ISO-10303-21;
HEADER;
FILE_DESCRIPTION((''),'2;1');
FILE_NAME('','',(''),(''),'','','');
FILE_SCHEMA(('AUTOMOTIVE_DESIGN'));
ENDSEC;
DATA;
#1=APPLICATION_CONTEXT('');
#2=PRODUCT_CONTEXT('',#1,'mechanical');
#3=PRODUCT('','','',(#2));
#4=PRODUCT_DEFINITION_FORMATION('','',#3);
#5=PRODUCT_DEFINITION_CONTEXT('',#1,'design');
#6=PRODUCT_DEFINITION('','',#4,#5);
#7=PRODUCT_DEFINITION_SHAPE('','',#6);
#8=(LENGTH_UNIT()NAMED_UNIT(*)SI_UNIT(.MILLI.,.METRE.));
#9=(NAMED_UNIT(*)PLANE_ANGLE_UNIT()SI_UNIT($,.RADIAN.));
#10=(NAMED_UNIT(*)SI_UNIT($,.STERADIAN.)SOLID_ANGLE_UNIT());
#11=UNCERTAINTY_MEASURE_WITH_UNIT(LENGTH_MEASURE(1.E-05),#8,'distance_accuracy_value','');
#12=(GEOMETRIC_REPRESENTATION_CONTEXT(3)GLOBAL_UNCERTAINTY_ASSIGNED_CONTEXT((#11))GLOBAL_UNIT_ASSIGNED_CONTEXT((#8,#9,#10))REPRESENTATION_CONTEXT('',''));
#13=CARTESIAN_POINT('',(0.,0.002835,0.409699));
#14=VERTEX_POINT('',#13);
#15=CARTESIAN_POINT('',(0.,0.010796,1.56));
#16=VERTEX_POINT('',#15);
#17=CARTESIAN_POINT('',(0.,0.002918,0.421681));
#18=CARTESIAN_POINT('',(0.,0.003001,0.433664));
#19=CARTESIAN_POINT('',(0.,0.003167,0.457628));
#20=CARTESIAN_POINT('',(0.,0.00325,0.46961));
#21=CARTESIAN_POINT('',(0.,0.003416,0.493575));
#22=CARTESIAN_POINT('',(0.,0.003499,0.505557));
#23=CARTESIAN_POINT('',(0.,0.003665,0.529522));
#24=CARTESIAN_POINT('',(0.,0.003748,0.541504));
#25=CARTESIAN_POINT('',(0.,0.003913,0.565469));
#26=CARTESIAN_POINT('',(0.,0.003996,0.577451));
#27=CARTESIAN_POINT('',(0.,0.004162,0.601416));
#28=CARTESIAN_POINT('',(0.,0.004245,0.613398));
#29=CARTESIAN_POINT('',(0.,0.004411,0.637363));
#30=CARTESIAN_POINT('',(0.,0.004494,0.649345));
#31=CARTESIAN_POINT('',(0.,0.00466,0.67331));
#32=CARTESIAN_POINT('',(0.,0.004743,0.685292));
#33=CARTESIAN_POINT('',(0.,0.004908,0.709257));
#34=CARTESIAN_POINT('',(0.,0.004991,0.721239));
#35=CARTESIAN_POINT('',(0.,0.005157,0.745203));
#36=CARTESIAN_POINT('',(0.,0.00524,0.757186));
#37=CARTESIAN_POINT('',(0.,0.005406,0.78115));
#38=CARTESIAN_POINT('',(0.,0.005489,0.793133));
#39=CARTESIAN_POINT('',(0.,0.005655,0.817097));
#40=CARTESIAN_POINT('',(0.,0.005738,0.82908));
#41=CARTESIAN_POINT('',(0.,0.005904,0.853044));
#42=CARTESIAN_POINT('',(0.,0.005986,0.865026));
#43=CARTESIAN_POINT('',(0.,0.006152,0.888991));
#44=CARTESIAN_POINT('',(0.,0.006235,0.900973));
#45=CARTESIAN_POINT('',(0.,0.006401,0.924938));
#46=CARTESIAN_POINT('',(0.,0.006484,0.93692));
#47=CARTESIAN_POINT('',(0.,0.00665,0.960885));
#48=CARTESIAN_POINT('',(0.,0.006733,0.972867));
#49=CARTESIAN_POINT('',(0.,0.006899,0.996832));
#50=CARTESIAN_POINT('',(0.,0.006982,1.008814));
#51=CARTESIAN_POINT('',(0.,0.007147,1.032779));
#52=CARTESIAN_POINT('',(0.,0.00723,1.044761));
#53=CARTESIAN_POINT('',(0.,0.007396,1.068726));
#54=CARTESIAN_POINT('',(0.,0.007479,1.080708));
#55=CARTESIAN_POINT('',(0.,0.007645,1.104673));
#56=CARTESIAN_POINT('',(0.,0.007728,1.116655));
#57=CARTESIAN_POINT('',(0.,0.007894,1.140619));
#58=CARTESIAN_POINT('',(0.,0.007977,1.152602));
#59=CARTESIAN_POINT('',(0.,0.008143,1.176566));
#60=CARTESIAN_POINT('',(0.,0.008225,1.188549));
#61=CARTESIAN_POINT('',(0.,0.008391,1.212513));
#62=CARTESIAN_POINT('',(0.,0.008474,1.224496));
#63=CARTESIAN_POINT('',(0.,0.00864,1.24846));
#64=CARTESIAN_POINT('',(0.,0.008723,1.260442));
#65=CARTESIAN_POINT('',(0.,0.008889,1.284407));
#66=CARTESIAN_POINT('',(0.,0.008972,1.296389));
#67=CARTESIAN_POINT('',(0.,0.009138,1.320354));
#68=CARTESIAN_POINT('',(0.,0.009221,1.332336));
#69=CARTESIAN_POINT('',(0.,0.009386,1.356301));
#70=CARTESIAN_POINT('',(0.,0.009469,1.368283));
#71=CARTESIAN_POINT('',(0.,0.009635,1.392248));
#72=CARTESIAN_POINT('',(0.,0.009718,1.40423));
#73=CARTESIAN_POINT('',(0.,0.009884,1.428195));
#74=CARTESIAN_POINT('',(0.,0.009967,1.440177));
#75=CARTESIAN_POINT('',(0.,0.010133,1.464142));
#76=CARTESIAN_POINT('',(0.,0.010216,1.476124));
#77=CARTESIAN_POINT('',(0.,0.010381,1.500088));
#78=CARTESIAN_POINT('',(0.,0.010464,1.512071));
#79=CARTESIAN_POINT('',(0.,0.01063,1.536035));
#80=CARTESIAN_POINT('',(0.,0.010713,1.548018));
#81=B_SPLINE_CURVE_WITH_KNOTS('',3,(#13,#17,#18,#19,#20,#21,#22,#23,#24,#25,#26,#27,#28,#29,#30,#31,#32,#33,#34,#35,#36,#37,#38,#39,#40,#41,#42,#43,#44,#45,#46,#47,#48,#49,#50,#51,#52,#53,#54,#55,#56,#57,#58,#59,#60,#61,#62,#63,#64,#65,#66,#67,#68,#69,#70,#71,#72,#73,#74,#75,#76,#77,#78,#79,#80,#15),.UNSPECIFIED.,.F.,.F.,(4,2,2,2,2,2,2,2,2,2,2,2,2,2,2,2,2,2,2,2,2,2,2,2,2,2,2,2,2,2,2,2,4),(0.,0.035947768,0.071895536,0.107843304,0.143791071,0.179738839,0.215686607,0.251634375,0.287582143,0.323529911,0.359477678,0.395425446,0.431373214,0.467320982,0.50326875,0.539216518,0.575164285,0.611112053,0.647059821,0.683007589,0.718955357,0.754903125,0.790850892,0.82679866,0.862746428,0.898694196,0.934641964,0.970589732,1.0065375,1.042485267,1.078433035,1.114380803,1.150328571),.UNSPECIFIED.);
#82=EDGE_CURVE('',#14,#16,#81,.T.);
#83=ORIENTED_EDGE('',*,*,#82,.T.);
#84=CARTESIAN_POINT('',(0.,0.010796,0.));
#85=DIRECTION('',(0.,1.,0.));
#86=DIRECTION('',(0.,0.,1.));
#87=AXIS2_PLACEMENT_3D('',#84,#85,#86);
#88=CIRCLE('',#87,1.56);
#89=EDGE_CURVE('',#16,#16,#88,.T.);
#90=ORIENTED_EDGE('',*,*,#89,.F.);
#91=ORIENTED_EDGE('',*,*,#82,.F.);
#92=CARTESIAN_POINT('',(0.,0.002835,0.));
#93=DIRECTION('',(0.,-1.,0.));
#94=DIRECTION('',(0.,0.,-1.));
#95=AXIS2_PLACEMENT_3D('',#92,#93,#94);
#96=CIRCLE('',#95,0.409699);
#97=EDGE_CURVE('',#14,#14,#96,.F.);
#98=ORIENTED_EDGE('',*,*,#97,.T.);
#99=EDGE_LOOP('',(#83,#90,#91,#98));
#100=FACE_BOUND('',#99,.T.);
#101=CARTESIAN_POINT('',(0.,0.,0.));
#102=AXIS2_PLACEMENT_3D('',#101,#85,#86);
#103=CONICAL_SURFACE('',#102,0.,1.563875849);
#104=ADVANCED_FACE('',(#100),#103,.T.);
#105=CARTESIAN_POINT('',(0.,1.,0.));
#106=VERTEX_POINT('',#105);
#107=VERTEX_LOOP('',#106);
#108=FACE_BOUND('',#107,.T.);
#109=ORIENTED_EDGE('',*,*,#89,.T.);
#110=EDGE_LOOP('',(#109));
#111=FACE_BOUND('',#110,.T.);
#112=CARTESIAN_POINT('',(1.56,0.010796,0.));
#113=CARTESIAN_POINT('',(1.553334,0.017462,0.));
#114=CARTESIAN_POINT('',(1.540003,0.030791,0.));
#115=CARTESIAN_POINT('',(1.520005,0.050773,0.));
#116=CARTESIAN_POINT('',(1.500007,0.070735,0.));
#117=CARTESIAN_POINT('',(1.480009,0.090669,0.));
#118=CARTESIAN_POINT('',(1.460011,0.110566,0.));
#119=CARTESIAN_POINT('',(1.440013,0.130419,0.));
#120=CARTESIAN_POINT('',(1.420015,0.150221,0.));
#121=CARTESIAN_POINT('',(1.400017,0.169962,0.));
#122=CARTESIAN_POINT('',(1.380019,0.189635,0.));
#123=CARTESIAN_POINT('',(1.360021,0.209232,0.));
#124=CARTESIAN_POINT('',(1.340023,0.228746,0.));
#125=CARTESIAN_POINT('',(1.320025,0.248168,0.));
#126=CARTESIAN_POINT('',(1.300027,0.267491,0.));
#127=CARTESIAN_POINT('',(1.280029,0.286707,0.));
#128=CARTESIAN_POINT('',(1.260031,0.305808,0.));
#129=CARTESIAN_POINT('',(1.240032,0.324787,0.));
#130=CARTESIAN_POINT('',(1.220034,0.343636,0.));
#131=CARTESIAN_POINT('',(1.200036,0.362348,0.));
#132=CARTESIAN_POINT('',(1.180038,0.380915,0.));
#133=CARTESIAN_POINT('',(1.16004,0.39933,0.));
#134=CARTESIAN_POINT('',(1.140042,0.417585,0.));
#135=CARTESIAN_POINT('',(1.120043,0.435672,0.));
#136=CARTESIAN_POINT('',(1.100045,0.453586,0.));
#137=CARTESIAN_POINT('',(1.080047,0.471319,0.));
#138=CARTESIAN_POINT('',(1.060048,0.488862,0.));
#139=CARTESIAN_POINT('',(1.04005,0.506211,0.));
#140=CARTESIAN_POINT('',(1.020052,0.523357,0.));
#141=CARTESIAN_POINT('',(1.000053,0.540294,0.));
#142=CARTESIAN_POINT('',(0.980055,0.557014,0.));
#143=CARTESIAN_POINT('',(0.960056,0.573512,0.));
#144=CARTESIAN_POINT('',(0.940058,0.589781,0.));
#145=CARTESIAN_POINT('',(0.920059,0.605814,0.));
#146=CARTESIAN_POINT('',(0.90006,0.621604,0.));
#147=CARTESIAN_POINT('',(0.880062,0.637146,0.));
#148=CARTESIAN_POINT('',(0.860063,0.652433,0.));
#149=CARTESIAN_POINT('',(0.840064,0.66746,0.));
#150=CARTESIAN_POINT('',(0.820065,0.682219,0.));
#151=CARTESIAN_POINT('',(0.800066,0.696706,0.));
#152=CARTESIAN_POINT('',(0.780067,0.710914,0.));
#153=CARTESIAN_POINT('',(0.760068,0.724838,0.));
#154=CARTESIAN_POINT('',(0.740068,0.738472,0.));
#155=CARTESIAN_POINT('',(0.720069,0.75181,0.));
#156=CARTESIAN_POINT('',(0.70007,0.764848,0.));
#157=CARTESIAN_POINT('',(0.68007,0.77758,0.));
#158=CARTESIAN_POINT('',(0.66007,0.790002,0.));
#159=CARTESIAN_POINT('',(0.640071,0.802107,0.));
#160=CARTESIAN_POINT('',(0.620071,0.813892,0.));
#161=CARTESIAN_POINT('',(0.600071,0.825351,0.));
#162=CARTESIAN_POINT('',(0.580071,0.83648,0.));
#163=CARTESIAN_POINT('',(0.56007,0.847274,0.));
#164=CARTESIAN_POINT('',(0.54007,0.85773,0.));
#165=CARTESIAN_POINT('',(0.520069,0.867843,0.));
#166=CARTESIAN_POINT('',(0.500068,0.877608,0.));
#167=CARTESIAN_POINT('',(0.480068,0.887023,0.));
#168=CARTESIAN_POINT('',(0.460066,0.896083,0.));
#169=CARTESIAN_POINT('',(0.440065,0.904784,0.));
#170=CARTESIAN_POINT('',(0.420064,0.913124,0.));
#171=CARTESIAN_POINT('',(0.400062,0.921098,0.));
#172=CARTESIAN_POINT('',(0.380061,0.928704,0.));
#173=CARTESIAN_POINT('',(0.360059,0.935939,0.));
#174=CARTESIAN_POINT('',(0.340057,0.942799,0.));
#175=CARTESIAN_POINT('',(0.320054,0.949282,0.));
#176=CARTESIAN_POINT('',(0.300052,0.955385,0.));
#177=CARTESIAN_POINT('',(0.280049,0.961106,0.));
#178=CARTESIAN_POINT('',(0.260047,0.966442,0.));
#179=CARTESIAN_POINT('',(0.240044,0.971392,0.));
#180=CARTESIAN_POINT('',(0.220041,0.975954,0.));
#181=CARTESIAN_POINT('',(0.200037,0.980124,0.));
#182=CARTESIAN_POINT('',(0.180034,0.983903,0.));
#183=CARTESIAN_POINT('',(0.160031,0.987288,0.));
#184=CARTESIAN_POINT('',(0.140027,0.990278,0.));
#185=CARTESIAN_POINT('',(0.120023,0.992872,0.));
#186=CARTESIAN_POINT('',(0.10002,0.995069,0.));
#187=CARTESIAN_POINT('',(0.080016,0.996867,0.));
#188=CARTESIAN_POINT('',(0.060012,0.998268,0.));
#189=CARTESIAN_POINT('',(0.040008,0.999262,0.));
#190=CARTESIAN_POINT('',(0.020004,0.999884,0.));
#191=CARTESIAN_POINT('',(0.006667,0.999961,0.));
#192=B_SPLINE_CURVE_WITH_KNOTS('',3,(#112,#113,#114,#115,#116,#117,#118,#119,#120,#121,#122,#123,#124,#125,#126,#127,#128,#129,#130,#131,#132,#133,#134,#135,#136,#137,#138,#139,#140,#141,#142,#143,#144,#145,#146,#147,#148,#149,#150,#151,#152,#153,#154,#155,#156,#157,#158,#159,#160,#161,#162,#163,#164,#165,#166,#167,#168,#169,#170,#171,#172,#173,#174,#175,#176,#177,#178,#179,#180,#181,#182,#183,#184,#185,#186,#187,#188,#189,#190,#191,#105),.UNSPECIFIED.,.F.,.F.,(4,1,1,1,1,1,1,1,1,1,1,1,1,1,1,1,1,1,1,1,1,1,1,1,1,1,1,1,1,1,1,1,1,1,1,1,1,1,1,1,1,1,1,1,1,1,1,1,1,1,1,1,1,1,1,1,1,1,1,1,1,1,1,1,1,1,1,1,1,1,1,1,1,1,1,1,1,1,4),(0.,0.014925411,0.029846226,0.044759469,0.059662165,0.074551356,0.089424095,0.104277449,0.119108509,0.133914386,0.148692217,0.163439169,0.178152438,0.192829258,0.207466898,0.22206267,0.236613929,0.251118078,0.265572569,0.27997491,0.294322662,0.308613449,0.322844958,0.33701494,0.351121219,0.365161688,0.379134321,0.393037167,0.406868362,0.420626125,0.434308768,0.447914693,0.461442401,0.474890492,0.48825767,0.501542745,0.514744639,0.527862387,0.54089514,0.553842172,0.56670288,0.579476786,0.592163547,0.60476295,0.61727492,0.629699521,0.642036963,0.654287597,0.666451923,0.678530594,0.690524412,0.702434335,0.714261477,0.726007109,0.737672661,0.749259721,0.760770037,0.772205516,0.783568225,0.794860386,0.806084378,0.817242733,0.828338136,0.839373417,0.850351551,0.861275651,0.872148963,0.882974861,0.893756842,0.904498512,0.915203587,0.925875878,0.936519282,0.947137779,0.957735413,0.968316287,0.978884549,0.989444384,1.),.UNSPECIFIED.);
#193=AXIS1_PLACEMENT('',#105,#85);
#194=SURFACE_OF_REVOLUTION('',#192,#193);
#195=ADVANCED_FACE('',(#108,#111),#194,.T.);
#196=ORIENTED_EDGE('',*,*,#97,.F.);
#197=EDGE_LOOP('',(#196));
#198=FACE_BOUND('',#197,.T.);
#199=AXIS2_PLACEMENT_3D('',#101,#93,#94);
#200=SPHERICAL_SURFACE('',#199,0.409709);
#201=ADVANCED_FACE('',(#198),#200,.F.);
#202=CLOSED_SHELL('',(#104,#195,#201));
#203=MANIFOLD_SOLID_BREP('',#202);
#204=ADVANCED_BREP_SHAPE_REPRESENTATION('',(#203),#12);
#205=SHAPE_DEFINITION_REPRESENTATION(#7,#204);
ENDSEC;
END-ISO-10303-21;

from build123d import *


with BuildPart() as part:
    # 草图1 → 旋转1 (revolve)
    with BuildSketch(Plane.XY, mode=Mode.PRIVATE) as revolve_1_sk:
        with BuildLine():
            Line((0, 1), (0, 0))
            Line((0, 0), (1.56, 0.010796117))
            add(Edge.make_bspline(
                [(0, 1), (0.006667111, 0.999961497), (0.020003998, 0.999884476), (0.04000798, 0.999261626), (0.06001193, 0.998267678), (0.080015833, 0.996866568), (0.100019674, 0.995068646), (0.120023438, 0.992872011), (0.140027112, 0.990278251), (0.160030683, 0.987288225), (0.180034139, 0.983903187), (0.200037469, 0.980124487), (0.220040663, 0.975953649), (0.240043714, 0.971392353), (0.260046613, 0.966442433), (0.280049355, 0.96110588), (0.300051935, 0.955384841), (0.320054348, 0.949281613), (0.340056592, 0.942798652), (0.360058664, 0.935938558), (0.380060565, 0.928704089), (0.400062294, 0.921098145), (0.420063852, 0.91312378), (0.440065242, 0.904784194), (0.460066465, 0.896082731), (0.480067524, 0.887022876), (0.500068423, 0.877608264), (0.520069166, 0.867842667), (0.540069758, 0.857729995), (0.560070203, 0.847274302), (0.580070506, 0.836479773), (0.600070672, 0.82535073), (0.620070707, 0.813891629), (0.640070616, 0.802107056), (0.660070404, 0.790001727), (0.680070078, 0.777580489), (0.70006964, 0.764848308), (0.720069099, 0.751810281), (0.740068459, 0.738471624), (0.760067724, 0.724837671), (0.780066901, 0.710913876), (0.800065993, 0.696705809), (0.820065005, 0.682219154), (0.840063943, 0.667459702), (0.86006281, 0.652433357), (0.880061611, 0.637146129), (0.900060349, 0.621604129), (0.920059029, 0.605813575), (0.940057653, 0.589780779), (0.960056226, 0.573512154), (0.980054751, 0.557014205), (1.000053232, 0.540293527), (1.02005167, 0.523356808), (1.040050069, 0.506210819), (1.060048431, 0.488862418), (1.08004676, 0.47131854), (1.100045057, 0.4535862), (1.120043325, 0.43567249), (1.140041565, 0.417584571), (1.16003978, 0.399329676), (1.180037973, 0.380915104), (1.200036143, 0.36234822), (1.220034294, 0.343636446), (1.240032426, 0.324787264), (1.260030542, 0.305808213), (1.280028643, 0.28670688), (1.300026729, 0.267490904), (1.320024803, 0.248167967), (1.340022865, 0.228745796), (1.360020917, 0.209232159), (1.380018959, 0.189634856), (1.400016994, 0.169961726), (1.42001502, 0.150220633), (1.440013041, 0.130419473), (1.460011057, 0.110566162), (1.480009064, 0.090668637), (1.50000708, 0.070734868), (1.520005051, 0.050772773), (1.540003175, 0.03079053), (1.553333708, 0.017461605), (1.56, 0.010796117)],
                knots=[0, 0, 0, 0, 0.010555616, 0.021115451, 0.031683713, 0.042264587, 0.052862221, 0.063480718, 0.074124122, 0.084796413, 0.095501488, 0.106243158, 0.117025139, 0.127851037, 0.138724349, 0.149648449, 0.160626583, 0.171661864, 0.182757267, 0.193915622, 0.205139614, 0.216431775, 0.227794484, 0.239229963, 0.250740279, 0.262327339, 0.273992891, 0.285738523, 0.297565665, 0.309475588, 0.321469406, 0.333548077, 0.345712403, 0.357963037, 0.370300479, 0.38272508, 0.39523705, 0.407836453, 0.420523214, 0.43329712, 0.446157828, 0.45910486, 0.472137613, 0.485255361, 0.498457255, 0.51174233, 0.525109508, 0.538557599, 0.552085307, 0.565691232, 0.579373875, 0.593131638, 0.606962833, 0.620865679, 0.634838312, 0.648878781, 0.66298506, 0.677155042, 0.691386551, 0.705677338, 0.72002509, 0.734427431, 0.748881922, 0.763386071, 0.77793733, 0.792533102, 0.807170742, 0.821847562, 0.836560831, 0.851307783, 0.866085614, 0.880891491, 0.895722551, 0.910575905, 0.925448644, 0.940337835, 0.955240531, 0.970153774, 0.985074589, 1, 1, 1, 1], degree=3))
        make_face()
    revolve(revolve_1_sk.sketch.rotate(Axis((0, 1, 0), (0, -1, 0)), 90), axis=Axis((0, 1, 0), (0, -1, 0)))

    # 草图2 → 切除-旋转1 (revolve, cut)
    with BuildSketch(Plane(origin=(0, 0, 0), x_dir=(1, 0, 0), z_dir=(0, 1, 0))):
        with BuildLine():
            Line((0, -0.409708786), (0, 0.409708786))
            ThreePointArc((0, 0.409708786), (0.409708786, 0), (0, -0.409708786))
        make_face()
    revolve(axis=Axis((0, 0, 0.409708786), (0, 0, -1)), mode=Mode.SUBTRACT)


solid = part.part
